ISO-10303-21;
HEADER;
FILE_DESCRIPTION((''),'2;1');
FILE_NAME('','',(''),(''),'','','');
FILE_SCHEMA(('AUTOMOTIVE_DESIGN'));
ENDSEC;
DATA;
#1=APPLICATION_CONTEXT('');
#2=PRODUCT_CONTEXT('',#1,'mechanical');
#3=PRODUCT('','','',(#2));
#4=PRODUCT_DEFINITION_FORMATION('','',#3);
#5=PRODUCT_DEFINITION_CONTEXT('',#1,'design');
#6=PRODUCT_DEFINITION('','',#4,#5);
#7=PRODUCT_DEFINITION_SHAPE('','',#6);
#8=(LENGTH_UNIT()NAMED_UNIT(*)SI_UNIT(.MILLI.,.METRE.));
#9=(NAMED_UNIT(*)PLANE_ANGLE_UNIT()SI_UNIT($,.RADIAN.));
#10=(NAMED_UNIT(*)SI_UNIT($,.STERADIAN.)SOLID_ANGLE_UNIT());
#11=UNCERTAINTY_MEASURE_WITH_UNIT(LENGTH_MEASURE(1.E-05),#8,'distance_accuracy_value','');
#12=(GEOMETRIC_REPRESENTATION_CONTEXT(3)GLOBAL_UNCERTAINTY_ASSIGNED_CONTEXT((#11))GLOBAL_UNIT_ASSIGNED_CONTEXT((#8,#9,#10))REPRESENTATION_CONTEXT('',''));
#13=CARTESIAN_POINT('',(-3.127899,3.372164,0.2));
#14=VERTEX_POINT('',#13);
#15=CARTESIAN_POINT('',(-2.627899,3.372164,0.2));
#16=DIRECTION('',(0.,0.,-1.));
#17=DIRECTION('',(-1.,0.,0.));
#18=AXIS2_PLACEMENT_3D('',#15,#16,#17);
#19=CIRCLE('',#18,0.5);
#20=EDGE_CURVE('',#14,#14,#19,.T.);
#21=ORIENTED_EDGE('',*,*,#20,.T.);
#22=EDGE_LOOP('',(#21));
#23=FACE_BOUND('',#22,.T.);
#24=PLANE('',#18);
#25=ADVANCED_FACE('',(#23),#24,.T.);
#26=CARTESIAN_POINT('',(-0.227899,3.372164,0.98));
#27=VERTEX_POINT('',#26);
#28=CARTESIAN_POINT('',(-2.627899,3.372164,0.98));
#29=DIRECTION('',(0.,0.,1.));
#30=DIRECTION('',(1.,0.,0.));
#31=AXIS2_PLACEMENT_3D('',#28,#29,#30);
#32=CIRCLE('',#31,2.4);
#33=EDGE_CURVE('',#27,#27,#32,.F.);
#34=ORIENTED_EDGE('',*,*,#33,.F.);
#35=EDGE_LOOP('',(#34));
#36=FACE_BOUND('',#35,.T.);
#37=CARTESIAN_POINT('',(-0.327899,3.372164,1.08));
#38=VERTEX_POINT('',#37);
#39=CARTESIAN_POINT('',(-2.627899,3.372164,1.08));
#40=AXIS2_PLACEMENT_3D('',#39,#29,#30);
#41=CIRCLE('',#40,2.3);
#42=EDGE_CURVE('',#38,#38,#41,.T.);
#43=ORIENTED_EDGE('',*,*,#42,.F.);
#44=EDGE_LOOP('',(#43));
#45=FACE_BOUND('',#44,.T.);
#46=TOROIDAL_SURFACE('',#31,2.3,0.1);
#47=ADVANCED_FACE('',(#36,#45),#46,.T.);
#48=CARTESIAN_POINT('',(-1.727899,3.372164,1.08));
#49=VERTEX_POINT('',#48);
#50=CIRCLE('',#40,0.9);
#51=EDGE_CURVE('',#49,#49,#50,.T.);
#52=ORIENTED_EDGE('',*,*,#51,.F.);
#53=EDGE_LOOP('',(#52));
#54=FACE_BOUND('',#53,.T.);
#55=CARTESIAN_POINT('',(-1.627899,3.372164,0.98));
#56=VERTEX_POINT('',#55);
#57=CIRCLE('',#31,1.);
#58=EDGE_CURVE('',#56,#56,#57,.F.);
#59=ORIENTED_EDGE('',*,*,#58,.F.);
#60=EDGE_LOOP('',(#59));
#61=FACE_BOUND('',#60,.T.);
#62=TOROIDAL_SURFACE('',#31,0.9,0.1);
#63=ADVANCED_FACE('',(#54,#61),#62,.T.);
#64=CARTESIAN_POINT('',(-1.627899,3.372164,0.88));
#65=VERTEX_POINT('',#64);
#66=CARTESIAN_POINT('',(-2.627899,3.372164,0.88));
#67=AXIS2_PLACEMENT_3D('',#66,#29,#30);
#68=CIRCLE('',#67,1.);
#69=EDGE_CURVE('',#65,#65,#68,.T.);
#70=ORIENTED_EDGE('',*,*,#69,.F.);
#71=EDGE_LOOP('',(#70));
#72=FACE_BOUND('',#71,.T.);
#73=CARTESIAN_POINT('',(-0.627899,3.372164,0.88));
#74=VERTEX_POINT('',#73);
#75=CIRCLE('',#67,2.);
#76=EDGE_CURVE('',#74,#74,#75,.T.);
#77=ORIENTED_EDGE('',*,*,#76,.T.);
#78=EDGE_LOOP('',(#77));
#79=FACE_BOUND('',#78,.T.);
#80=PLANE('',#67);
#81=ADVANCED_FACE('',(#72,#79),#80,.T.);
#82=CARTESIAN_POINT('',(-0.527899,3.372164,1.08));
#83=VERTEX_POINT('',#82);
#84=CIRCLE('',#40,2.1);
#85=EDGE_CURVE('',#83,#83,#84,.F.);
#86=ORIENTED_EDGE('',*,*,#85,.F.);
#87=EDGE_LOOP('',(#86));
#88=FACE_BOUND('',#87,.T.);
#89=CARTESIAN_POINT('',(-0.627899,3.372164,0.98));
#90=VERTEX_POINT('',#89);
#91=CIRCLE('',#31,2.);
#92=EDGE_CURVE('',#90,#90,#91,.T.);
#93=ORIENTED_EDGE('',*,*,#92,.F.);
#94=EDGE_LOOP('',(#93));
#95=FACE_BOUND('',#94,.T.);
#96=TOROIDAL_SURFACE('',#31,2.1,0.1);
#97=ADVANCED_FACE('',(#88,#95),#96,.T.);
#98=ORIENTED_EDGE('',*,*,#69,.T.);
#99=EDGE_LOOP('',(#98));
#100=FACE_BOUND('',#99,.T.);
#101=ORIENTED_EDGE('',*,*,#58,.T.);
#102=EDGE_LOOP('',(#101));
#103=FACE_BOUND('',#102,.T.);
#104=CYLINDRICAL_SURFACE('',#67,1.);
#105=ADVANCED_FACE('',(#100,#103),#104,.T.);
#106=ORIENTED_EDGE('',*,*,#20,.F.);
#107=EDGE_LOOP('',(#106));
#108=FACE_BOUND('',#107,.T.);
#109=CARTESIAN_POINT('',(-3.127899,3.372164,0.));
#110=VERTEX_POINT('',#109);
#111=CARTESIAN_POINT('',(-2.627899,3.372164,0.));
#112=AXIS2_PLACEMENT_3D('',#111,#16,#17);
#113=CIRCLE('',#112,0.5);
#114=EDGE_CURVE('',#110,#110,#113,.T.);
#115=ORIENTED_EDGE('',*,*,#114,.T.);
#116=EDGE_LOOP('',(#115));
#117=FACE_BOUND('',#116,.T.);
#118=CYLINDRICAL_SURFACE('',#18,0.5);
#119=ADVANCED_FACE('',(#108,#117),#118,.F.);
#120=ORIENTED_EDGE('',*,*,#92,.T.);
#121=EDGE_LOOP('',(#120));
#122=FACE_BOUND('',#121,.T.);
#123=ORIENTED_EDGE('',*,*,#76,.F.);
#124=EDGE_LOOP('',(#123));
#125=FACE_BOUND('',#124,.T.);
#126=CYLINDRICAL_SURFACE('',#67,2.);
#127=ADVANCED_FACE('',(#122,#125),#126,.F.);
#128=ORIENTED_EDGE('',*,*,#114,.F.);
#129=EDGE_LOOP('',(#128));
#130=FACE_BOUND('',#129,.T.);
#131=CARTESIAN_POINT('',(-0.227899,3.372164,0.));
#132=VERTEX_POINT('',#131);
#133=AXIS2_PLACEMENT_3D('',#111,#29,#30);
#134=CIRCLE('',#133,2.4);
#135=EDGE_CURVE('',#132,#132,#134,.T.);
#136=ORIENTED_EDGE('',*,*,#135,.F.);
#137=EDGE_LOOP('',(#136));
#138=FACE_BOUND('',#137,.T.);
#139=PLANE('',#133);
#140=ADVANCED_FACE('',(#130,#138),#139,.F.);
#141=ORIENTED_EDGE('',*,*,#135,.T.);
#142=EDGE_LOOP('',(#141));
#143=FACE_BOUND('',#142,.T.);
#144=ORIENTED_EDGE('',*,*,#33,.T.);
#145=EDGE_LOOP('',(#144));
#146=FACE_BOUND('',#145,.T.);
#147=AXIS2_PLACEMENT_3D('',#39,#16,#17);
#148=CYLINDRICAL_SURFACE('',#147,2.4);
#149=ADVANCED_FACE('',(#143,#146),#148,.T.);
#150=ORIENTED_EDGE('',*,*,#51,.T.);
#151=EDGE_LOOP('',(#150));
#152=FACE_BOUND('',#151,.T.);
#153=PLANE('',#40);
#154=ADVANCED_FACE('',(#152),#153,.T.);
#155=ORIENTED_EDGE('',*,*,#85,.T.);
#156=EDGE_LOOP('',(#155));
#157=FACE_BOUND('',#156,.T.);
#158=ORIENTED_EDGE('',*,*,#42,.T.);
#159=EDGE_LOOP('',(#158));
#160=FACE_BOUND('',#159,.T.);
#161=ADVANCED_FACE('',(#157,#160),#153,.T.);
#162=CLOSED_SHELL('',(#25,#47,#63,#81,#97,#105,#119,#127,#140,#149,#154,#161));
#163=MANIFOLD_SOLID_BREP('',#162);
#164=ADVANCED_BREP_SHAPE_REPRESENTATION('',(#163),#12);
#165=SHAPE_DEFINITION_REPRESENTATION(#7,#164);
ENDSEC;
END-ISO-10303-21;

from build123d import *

# Parameters (mm, degrees)
SKETCH1_R           = 2.4
BOSS_EXTRUDE1_DEPTH = 1.08
SKETCH2_R           = 2
SKETCH2_R_2         = 1
CUT_EXTRUDE1_DEPTH  = 0.2
FILLET2_R           = 0.1
SKETCH3_R           = 0.5
CUT_EXTRUDE2_DEPTH  = 0.2


with BuildPart() as part:
    # Sketch1 → Boss-Extrude1 (new body)
    with BuildSketch(Plane.XY):
        with Locations((-2.627899096, 3.372164225)):
            Circle(SKETCH1_R)
    extrude(amount=BOSS_EXTRUDE1_DEPTH)

    # Sketch2 → Cut-Extrude1 (cut)
    with BuildSketch(Plane.XY.offset(1.08)):
        with Locations((-2.627899096, 3.372164225)):
            Circle(SKETCH2_R)
        with Locations((-2.627899096, 3.372164225)):
            Circle(SKETCH2_R_2, mode=Mode.SUBTRACT)
    extrude(amount=-CUT_EXTRUDE1_DEPTH, mode=Mode.SUBTRACT)

    # Fillet2
    fillet2_edges = [part.edges().sort_by_distance(p)[0] for p in [
        (-5.027899096, 3.372164225, 1.08),
        (-4.627899096, 3.372164225, 1.08),
        (-3.627899096, 3.372164225, 1.08),
    ]]
    fillet(fillet2_edges, radius=FILLET2_R)

    # Sketch3 → Cut-Extrude2 (cut)
    with BuildSketch(Plane(origin=(0, 0, 0), x_dir=(-1, 0, 0), z_dir=(0, 0, -1))):
        with Locations((2.627899096, 3.372164225)):
            Circle(SKETCH3_R)
    extrude(amount=-CUT_EXTRUDE2_DEPTH, mode=Mode.SUBTRACT)


solid = part.part
